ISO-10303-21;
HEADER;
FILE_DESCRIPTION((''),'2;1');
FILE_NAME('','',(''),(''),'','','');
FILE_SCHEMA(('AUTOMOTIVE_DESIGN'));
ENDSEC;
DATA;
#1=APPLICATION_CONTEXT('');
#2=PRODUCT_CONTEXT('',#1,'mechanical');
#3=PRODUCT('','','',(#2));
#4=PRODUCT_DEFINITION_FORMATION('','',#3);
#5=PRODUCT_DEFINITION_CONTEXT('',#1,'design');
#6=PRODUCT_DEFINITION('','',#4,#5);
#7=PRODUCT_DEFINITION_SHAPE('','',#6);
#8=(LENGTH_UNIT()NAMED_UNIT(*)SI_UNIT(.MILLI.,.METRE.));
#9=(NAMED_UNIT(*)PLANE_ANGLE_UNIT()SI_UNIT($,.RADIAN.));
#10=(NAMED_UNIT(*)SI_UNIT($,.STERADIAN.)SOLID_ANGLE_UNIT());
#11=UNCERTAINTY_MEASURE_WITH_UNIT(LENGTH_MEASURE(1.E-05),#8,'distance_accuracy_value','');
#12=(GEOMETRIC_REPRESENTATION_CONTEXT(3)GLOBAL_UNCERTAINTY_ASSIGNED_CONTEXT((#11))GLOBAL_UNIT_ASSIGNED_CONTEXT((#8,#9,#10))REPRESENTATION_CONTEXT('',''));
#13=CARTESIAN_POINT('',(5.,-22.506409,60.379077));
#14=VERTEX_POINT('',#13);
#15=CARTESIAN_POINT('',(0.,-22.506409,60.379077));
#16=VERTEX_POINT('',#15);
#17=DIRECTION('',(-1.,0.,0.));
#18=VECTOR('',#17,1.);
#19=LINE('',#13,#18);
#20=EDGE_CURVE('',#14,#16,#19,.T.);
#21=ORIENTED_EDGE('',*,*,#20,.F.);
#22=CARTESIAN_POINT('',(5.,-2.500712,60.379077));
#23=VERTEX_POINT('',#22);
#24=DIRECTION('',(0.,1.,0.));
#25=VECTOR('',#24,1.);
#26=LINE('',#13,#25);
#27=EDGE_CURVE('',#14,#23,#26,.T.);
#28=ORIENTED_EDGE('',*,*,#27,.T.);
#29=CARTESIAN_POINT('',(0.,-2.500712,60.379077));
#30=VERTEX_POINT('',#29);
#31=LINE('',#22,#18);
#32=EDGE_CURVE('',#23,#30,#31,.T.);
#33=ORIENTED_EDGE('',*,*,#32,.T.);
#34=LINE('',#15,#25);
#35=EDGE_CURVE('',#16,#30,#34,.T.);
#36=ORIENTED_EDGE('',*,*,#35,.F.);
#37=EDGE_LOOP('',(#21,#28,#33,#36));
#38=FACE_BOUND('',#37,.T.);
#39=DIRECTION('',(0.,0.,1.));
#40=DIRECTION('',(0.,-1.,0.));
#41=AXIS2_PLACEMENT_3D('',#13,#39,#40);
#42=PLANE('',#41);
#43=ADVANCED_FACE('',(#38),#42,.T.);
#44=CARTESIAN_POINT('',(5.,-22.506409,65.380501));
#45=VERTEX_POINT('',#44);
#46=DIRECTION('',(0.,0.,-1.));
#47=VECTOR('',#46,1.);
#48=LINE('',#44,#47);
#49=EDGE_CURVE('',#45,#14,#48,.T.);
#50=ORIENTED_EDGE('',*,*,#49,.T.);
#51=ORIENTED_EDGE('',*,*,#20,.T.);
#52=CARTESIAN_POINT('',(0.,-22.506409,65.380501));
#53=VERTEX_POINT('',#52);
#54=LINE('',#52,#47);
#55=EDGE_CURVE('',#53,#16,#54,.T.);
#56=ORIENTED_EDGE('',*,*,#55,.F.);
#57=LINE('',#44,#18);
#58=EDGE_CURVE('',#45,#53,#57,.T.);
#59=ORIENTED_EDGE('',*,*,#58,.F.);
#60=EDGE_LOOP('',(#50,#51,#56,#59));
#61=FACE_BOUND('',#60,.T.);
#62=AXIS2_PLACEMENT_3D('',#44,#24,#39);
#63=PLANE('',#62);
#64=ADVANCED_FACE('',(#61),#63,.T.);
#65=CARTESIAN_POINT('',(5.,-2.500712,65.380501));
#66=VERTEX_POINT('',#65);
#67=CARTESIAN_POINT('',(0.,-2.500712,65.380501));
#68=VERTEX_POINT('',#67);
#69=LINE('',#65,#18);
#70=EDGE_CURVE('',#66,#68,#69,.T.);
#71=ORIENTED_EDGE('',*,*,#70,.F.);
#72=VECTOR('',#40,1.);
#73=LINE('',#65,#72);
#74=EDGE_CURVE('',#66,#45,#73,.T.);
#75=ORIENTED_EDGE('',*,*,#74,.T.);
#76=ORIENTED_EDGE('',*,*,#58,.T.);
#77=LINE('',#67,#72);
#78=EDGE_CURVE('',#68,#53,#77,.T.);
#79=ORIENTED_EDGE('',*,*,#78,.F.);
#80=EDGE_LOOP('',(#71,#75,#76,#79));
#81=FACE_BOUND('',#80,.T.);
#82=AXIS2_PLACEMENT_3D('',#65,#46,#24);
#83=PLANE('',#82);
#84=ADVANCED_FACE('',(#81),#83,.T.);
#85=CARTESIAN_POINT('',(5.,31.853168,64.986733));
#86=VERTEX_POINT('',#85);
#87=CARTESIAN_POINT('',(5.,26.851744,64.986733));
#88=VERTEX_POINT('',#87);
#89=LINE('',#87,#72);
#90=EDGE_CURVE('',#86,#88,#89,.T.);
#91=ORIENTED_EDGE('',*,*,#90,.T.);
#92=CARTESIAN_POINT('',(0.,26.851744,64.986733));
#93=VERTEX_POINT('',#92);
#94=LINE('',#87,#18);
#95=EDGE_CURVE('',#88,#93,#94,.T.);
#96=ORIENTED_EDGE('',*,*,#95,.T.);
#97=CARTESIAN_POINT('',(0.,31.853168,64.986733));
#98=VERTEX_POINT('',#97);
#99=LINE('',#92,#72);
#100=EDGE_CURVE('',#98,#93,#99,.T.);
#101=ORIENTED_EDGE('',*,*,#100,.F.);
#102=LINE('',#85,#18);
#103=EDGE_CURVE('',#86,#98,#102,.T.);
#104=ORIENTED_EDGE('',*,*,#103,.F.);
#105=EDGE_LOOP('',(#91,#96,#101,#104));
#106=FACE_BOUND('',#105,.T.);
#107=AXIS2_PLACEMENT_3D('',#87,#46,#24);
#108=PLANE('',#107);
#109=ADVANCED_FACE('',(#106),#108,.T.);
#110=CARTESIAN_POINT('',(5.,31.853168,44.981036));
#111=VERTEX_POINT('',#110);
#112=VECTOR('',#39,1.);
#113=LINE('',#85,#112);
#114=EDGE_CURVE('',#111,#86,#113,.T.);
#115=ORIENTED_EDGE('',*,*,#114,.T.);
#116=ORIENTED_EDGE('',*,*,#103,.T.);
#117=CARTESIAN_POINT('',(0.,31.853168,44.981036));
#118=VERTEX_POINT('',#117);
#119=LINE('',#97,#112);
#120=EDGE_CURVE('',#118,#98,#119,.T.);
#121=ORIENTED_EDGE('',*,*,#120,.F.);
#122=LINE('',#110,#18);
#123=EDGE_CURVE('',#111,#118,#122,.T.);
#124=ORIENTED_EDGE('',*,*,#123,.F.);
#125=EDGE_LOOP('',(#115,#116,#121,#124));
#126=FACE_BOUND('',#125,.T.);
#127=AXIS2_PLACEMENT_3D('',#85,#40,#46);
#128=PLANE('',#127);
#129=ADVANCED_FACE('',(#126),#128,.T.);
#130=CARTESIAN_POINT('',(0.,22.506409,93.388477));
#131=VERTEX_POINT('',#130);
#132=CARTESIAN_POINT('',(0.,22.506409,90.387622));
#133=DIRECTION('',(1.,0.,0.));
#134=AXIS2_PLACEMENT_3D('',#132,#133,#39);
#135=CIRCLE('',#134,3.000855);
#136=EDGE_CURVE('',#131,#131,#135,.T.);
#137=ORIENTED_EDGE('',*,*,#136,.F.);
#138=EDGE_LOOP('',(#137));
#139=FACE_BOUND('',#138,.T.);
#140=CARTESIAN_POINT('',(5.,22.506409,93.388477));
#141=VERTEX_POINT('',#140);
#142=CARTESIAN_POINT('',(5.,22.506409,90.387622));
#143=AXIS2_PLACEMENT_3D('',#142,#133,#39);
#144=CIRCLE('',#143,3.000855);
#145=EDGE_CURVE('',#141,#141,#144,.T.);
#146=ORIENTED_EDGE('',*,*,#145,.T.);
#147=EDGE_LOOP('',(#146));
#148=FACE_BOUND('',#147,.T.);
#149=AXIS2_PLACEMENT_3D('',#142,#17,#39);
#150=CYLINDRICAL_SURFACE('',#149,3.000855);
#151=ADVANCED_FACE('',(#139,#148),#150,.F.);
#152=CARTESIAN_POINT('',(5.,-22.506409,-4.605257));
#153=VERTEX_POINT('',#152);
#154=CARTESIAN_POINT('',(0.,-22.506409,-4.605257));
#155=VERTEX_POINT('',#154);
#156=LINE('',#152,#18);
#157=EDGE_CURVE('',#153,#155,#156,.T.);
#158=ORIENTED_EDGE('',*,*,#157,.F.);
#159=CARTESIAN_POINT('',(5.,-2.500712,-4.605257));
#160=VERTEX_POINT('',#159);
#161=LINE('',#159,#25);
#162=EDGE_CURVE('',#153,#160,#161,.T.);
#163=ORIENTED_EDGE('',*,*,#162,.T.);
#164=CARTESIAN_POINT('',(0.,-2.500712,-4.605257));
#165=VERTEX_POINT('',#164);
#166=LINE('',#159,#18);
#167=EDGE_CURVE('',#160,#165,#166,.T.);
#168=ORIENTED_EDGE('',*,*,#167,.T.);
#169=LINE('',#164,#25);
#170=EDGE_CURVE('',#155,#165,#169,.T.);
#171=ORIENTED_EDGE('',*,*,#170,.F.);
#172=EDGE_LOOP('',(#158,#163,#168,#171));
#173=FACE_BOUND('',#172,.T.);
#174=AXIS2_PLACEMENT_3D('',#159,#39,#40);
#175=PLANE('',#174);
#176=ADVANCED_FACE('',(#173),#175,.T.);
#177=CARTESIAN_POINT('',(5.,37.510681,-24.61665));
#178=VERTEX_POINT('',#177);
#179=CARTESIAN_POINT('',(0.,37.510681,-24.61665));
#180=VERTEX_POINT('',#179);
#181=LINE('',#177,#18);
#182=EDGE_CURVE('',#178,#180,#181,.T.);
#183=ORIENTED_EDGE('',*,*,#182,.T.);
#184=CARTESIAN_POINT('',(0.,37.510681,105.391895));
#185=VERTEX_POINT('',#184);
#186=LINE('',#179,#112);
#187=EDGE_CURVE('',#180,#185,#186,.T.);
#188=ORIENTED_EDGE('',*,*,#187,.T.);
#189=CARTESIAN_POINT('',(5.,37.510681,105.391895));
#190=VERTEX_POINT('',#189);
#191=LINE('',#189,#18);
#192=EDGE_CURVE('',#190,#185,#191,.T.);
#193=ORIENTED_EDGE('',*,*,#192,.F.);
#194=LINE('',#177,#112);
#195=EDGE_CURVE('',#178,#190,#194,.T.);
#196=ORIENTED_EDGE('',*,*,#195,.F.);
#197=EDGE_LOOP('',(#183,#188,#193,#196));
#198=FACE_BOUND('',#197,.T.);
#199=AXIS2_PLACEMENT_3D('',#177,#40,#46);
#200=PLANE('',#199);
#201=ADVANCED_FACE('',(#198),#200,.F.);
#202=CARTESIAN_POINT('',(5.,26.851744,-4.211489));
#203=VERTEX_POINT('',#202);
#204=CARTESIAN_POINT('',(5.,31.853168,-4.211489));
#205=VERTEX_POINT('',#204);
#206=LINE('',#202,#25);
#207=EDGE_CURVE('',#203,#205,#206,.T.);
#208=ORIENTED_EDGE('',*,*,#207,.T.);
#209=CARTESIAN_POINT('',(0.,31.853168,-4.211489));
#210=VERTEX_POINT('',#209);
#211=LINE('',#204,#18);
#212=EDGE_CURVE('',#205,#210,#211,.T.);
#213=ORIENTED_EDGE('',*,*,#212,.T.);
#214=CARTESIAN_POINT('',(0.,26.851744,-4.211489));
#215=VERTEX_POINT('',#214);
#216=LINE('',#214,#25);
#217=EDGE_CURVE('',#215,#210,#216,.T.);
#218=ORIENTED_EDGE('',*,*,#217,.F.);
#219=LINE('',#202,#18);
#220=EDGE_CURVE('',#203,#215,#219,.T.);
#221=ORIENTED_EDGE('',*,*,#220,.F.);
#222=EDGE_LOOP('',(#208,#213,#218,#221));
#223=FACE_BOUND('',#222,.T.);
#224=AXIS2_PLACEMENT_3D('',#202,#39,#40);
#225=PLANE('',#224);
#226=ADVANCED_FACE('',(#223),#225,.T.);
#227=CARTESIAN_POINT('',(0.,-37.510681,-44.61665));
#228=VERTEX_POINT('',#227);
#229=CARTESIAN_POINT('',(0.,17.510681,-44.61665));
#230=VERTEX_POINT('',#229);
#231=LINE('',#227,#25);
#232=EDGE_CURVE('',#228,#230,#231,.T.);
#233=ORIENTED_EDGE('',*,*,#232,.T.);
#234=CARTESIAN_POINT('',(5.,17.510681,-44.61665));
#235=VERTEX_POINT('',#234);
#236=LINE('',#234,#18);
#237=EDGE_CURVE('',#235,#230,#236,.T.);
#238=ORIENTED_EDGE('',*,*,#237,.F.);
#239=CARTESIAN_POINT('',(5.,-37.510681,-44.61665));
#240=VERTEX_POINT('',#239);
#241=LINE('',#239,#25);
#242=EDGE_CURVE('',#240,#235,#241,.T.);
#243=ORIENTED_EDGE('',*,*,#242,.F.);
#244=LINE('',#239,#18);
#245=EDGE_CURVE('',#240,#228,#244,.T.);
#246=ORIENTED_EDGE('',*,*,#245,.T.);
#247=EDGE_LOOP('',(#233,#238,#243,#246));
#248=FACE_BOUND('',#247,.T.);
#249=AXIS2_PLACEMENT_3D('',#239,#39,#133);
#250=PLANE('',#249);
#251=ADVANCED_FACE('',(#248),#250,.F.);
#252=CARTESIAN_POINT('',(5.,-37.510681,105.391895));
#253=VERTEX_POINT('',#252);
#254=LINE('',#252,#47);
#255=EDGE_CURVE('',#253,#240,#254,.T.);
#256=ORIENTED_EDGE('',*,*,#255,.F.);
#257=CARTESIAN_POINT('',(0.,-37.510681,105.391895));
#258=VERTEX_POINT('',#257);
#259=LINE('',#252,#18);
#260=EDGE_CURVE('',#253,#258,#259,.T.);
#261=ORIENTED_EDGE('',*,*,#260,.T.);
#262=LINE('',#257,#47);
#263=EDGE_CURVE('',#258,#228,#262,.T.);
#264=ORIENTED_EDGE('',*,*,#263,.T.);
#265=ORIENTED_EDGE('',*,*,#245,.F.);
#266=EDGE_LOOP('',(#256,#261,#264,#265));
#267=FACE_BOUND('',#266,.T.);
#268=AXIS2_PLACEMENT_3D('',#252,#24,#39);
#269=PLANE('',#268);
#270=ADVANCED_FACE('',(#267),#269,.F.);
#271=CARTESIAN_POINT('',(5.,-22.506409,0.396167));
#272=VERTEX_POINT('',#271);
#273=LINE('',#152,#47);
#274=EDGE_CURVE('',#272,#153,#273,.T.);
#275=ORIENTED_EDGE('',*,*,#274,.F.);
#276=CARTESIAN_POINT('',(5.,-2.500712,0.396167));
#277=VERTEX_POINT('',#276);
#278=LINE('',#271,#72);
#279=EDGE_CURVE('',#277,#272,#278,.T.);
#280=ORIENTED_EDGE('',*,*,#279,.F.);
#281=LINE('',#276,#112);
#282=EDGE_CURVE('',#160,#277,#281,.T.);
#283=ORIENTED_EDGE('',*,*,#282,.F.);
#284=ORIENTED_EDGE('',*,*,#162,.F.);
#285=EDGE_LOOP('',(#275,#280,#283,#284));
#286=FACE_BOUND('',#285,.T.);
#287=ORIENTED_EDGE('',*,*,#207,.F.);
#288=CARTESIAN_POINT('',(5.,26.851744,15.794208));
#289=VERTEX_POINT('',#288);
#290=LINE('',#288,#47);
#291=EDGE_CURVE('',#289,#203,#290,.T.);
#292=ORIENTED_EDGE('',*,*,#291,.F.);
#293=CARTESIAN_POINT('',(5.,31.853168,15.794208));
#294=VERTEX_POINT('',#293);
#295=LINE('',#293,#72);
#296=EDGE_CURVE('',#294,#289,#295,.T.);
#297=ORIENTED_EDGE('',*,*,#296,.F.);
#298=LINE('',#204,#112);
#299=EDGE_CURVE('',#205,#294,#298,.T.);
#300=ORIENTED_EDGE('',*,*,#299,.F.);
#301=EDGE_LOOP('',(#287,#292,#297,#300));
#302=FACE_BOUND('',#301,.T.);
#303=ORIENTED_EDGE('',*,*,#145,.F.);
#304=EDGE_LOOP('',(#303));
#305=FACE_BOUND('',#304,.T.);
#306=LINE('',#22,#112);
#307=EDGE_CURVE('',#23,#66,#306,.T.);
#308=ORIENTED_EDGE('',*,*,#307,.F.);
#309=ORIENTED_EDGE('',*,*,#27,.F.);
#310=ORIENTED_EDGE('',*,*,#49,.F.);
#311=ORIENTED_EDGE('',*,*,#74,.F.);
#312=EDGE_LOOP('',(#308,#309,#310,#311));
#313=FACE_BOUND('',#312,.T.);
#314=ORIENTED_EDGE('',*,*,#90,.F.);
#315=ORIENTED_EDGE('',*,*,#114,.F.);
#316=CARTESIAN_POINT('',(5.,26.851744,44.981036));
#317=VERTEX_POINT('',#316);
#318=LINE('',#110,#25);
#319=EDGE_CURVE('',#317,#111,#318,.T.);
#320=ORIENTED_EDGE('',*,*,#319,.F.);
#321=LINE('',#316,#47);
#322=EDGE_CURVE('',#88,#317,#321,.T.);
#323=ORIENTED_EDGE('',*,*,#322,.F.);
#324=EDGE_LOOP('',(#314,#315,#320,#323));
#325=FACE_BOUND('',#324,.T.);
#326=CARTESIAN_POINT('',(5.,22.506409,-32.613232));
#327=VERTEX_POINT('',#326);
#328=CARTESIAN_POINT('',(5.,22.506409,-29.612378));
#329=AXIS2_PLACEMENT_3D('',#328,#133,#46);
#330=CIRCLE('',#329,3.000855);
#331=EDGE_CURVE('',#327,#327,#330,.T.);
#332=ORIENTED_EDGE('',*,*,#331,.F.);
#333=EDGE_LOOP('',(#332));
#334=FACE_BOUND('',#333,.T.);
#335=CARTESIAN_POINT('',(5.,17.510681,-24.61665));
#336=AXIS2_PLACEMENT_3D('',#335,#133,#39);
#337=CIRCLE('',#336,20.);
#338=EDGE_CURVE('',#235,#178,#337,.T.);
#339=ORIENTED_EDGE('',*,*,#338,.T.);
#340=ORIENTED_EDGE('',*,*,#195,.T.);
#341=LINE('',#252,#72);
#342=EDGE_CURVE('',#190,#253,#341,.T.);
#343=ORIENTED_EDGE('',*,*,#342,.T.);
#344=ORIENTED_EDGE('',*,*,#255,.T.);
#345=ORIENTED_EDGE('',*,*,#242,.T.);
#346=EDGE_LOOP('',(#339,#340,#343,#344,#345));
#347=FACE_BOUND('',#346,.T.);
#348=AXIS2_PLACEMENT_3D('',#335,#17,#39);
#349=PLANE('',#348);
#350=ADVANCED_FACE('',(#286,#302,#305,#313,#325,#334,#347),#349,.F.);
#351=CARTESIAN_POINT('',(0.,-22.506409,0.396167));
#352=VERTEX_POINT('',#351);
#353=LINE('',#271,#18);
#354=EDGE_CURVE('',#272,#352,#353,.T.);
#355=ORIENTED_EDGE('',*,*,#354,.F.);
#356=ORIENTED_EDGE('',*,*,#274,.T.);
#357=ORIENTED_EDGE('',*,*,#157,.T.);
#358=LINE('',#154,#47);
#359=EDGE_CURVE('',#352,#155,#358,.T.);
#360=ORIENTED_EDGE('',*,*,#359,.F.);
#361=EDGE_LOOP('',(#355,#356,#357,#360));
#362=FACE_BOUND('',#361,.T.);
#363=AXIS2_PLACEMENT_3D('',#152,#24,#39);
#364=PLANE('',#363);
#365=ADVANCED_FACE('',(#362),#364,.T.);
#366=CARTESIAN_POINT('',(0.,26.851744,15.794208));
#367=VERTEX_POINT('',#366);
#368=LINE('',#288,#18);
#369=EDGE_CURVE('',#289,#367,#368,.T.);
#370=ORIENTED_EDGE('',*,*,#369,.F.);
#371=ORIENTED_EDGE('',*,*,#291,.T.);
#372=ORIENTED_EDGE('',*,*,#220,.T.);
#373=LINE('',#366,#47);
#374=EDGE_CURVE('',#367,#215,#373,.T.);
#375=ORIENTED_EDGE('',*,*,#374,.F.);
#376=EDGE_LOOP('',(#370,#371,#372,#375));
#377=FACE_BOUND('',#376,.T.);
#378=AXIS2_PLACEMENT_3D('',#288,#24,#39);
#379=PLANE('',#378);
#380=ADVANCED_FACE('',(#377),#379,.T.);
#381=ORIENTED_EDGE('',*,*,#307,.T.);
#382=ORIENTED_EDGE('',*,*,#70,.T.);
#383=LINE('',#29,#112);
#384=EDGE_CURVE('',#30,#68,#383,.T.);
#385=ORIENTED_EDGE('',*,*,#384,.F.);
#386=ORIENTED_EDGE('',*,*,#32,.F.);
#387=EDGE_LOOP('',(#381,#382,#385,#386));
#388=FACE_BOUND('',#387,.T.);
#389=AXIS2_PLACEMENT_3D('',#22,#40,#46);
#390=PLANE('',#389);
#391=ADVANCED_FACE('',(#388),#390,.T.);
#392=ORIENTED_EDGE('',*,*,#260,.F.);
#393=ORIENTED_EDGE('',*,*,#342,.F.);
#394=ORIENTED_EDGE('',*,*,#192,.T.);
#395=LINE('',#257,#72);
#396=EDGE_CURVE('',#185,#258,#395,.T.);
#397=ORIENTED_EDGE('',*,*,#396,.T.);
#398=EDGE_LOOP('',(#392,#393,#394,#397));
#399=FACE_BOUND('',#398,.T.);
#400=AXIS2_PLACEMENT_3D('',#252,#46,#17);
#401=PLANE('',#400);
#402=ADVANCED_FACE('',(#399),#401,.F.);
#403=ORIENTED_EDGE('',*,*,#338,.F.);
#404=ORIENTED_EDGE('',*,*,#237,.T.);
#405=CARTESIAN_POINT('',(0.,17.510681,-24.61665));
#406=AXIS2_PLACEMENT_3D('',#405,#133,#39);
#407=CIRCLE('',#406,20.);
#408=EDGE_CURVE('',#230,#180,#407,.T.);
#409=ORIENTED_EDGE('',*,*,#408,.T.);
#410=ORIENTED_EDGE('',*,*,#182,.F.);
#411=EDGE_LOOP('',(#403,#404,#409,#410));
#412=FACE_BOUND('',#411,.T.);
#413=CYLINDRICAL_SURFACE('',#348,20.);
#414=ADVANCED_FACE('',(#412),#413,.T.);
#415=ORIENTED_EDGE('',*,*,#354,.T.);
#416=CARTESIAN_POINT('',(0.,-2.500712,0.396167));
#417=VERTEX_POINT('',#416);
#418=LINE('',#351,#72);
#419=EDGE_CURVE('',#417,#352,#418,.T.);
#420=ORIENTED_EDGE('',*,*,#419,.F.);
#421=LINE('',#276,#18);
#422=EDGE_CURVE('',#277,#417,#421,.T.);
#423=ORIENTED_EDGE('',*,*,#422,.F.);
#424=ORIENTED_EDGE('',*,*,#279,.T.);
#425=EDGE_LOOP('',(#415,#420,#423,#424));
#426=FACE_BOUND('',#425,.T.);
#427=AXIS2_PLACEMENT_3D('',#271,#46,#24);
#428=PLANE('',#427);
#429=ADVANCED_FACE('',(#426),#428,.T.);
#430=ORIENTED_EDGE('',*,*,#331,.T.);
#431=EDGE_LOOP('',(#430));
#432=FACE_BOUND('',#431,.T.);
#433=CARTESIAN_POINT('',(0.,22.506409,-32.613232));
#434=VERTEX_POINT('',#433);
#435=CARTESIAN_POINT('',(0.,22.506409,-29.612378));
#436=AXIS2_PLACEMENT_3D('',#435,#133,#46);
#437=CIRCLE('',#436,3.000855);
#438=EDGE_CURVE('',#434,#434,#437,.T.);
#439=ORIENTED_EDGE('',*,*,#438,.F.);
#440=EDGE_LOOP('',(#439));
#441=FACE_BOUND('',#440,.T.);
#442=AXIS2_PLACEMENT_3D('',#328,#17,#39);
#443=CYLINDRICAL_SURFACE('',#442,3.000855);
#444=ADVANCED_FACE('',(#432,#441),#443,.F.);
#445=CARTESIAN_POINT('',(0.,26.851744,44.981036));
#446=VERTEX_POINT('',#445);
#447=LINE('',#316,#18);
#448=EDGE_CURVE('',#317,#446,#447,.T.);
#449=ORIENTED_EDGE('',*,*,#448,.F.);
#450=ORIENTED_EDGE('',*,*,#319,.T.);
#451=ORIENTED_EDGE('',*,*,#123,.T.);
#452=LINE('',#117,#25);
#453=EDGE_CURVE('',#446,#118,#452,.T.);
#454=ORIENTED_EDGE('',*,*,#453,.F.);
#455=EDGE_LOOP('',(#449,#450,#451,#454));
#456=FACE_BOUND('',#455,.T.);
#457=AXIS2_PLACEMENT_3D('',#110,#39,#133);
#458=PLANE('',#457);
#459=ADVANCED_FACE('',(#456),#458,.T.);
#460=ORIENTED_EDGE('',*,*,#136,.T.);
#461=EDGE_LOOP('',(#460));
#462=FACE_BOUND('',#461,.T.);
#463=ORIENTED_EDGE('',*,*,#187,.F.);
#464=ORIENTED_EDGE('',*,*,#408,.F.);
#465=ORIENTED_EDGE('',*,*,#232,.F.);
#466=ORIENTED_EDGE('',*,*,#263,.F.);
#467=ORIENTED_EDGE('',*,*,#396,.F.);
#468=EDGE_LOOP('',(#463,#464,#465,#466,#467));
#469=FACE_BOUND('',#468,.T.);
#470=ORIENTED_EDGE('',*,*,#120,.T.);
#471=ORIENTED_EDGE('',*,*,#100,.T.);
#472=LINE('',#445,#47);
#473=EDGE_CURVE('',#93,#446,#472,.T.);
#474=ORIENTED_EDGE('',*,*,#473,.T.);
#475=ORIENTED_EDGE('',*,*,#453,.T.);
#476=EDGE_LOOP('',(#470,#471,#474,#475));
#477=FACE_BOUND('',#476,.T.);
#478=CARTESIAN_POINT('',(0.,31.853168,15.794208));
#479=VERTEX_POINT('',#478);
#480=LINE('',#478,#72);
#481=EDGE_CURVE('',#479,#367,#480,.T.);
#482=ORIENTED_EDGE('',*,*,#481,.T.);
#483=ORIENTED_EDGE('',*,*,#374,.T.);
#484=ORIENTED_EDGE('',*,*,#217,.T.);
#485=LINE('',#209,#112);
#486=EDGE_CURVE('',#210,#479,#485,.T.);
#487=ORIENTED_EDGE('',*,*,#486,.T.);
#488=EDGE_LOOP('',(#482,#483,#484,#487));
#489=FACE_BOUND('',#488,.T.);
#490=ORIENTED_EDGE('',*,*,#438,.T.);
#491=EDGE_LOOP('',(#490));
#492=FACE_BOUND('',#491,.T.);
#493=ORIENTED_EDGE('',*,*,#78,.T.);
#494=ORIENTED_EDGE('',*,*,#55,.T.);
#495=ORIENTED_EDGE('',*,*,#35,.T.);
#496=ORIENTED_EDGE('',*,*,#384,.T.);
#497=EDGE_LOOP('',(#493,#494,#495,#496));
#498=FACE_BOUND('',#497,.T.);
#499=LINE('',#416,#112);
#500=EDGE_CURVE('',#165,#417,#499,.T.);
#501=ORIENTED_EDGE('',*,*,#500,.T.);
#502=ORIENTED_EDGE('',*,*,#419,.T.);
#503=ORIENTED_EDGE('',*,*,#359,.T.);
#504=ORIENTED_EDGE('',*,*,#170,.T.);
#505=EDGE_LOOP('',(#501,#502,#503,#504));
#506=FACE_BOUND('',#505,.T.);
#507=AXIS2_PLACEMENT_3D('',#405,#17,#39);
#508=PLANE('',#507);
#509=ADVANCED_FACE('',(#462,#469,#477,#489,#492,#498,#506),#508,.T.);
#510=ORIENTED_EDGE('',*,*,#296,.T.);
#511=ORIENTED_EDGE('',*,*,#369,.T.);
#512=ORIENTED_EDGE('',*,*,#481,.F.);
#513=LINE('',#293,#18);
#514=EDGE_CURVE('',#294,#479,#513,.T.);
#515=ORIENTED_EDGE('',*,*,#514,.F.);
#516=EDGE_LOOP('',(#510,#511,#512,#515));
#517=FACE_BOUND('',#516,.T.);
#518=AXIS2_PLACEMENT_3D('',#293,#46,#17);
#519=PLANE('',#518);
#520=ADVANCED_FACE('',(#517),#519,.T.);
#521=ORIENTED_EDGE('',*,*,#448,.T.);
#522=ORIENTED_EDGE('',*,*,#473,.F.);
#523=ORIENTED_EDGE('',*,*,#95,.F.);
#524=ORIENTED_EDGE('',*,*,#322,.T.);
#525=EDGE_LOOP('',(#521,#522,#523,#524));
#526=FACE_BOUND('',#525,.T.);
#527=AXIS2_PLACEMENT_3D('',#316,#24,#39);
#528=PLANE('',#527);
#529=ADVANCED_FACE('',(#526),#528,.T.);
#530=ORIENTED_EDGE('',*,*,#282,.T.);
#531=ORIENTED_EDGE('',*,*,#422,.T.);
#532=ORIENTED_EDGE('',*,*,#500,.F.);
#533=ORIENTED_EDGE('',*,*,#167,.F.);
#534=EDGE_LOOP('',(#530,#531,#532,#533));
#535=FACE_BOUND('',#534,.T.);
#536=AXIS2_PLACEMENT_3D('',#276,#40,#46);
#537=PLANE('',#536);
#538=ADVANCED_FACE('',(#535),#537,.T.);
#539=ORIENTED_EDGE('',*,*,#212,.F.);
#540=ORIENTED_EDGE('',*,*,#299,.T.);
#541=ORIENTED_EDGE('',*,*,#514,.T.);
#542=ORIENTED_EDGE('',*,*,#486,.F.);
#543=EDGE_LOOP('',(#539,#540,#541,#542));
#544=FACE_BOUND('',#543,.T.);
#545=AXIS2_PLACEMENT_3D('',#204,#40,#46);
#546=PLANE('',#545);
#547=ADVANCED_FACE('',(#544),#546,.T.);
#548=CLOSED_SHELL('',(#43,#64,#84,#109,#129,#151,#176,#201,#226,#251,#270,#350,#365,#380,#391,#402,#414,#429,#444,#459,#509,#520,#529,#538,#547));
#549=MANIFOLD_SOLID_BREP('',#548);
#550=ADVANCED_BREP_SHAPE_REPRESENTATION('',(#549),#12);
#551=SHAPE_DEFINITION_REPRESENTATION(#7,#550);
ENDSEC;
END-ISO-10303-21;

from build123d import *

# Parameters (mm, degrees)
SKETCH1_R           = 3.000854516
SKETCH1_W           = 5.001424193
SKETCH1_H           = 20.005696775
SKETCH1_W_2         = 20.005696776
SKETCH1_H_2         = 5.001424194
SKETCH1_W_3         = 20.005696775
SKETCH1_W_4         = 5.001424194
BOSS_EXTRUDE1_DEPTH = 5


with BuildPart() as part:
    # Sketch1 → Boss-Extrude1 (new body)
    with BuildSketch(Plane(origin=(0, 0, 0), x_dir=(0, 0, -1), z_dir=(1, 0, 0))):
        with BuildLine():
            Line((-105.391894776, -37.510681454), (44.616650387, -37.510681454))
            Line((44.616650387, -37.510681454), (44.616650387, 17.510681454))
            ThreePointArc((44.616650387, 17.510681454), (38.758786011, 31.652817078), (24.616650387, 37.510681454))
            Line((24.616650387, 37.510681454), (-105.391894776, 37.510681454))
            Line((-105.391894776, 37.510681454), (-105.391894776, -37.510681454))
        make_face()
        with Locations((29.612377806, 22.506408872)):
            Circle(SKETCH1_R, mode=Mode.SUBTRACT)
        with Locations(Location((-90.387622194, 22.506408872, 0), (0, 0, 180))):
            Circle(SKETCH1_R, mode=Mode.SUBTRACT)
        with Locations((2.10454474, -12.503560485)):
            Rectangle(SKETCH1_W, SKETCH1_H, mode=Mode.SUBTRACT)
        with Locations((-5.791359719, 29.352456285)):
            Rectangle(SKETCH1_W_2, SKETCH1_H_2, mode=Mode.SUBTRACT)
        with Locations((-54.98388467, 29.352456285)):
            Rectangle(SKETCH1_W_3, SKETCH1_H_2, mode=Mode.SUBTRACT)
        with Locations((-62.879789128, -12.503560485)):
            Rectangle(SKETCH1_W_4, SKETCH1_H, mode=Mode.SUBTRACT)
    extrude(amount=BOSS_EXTRUDE1_DEPTH)


solid = part.part
